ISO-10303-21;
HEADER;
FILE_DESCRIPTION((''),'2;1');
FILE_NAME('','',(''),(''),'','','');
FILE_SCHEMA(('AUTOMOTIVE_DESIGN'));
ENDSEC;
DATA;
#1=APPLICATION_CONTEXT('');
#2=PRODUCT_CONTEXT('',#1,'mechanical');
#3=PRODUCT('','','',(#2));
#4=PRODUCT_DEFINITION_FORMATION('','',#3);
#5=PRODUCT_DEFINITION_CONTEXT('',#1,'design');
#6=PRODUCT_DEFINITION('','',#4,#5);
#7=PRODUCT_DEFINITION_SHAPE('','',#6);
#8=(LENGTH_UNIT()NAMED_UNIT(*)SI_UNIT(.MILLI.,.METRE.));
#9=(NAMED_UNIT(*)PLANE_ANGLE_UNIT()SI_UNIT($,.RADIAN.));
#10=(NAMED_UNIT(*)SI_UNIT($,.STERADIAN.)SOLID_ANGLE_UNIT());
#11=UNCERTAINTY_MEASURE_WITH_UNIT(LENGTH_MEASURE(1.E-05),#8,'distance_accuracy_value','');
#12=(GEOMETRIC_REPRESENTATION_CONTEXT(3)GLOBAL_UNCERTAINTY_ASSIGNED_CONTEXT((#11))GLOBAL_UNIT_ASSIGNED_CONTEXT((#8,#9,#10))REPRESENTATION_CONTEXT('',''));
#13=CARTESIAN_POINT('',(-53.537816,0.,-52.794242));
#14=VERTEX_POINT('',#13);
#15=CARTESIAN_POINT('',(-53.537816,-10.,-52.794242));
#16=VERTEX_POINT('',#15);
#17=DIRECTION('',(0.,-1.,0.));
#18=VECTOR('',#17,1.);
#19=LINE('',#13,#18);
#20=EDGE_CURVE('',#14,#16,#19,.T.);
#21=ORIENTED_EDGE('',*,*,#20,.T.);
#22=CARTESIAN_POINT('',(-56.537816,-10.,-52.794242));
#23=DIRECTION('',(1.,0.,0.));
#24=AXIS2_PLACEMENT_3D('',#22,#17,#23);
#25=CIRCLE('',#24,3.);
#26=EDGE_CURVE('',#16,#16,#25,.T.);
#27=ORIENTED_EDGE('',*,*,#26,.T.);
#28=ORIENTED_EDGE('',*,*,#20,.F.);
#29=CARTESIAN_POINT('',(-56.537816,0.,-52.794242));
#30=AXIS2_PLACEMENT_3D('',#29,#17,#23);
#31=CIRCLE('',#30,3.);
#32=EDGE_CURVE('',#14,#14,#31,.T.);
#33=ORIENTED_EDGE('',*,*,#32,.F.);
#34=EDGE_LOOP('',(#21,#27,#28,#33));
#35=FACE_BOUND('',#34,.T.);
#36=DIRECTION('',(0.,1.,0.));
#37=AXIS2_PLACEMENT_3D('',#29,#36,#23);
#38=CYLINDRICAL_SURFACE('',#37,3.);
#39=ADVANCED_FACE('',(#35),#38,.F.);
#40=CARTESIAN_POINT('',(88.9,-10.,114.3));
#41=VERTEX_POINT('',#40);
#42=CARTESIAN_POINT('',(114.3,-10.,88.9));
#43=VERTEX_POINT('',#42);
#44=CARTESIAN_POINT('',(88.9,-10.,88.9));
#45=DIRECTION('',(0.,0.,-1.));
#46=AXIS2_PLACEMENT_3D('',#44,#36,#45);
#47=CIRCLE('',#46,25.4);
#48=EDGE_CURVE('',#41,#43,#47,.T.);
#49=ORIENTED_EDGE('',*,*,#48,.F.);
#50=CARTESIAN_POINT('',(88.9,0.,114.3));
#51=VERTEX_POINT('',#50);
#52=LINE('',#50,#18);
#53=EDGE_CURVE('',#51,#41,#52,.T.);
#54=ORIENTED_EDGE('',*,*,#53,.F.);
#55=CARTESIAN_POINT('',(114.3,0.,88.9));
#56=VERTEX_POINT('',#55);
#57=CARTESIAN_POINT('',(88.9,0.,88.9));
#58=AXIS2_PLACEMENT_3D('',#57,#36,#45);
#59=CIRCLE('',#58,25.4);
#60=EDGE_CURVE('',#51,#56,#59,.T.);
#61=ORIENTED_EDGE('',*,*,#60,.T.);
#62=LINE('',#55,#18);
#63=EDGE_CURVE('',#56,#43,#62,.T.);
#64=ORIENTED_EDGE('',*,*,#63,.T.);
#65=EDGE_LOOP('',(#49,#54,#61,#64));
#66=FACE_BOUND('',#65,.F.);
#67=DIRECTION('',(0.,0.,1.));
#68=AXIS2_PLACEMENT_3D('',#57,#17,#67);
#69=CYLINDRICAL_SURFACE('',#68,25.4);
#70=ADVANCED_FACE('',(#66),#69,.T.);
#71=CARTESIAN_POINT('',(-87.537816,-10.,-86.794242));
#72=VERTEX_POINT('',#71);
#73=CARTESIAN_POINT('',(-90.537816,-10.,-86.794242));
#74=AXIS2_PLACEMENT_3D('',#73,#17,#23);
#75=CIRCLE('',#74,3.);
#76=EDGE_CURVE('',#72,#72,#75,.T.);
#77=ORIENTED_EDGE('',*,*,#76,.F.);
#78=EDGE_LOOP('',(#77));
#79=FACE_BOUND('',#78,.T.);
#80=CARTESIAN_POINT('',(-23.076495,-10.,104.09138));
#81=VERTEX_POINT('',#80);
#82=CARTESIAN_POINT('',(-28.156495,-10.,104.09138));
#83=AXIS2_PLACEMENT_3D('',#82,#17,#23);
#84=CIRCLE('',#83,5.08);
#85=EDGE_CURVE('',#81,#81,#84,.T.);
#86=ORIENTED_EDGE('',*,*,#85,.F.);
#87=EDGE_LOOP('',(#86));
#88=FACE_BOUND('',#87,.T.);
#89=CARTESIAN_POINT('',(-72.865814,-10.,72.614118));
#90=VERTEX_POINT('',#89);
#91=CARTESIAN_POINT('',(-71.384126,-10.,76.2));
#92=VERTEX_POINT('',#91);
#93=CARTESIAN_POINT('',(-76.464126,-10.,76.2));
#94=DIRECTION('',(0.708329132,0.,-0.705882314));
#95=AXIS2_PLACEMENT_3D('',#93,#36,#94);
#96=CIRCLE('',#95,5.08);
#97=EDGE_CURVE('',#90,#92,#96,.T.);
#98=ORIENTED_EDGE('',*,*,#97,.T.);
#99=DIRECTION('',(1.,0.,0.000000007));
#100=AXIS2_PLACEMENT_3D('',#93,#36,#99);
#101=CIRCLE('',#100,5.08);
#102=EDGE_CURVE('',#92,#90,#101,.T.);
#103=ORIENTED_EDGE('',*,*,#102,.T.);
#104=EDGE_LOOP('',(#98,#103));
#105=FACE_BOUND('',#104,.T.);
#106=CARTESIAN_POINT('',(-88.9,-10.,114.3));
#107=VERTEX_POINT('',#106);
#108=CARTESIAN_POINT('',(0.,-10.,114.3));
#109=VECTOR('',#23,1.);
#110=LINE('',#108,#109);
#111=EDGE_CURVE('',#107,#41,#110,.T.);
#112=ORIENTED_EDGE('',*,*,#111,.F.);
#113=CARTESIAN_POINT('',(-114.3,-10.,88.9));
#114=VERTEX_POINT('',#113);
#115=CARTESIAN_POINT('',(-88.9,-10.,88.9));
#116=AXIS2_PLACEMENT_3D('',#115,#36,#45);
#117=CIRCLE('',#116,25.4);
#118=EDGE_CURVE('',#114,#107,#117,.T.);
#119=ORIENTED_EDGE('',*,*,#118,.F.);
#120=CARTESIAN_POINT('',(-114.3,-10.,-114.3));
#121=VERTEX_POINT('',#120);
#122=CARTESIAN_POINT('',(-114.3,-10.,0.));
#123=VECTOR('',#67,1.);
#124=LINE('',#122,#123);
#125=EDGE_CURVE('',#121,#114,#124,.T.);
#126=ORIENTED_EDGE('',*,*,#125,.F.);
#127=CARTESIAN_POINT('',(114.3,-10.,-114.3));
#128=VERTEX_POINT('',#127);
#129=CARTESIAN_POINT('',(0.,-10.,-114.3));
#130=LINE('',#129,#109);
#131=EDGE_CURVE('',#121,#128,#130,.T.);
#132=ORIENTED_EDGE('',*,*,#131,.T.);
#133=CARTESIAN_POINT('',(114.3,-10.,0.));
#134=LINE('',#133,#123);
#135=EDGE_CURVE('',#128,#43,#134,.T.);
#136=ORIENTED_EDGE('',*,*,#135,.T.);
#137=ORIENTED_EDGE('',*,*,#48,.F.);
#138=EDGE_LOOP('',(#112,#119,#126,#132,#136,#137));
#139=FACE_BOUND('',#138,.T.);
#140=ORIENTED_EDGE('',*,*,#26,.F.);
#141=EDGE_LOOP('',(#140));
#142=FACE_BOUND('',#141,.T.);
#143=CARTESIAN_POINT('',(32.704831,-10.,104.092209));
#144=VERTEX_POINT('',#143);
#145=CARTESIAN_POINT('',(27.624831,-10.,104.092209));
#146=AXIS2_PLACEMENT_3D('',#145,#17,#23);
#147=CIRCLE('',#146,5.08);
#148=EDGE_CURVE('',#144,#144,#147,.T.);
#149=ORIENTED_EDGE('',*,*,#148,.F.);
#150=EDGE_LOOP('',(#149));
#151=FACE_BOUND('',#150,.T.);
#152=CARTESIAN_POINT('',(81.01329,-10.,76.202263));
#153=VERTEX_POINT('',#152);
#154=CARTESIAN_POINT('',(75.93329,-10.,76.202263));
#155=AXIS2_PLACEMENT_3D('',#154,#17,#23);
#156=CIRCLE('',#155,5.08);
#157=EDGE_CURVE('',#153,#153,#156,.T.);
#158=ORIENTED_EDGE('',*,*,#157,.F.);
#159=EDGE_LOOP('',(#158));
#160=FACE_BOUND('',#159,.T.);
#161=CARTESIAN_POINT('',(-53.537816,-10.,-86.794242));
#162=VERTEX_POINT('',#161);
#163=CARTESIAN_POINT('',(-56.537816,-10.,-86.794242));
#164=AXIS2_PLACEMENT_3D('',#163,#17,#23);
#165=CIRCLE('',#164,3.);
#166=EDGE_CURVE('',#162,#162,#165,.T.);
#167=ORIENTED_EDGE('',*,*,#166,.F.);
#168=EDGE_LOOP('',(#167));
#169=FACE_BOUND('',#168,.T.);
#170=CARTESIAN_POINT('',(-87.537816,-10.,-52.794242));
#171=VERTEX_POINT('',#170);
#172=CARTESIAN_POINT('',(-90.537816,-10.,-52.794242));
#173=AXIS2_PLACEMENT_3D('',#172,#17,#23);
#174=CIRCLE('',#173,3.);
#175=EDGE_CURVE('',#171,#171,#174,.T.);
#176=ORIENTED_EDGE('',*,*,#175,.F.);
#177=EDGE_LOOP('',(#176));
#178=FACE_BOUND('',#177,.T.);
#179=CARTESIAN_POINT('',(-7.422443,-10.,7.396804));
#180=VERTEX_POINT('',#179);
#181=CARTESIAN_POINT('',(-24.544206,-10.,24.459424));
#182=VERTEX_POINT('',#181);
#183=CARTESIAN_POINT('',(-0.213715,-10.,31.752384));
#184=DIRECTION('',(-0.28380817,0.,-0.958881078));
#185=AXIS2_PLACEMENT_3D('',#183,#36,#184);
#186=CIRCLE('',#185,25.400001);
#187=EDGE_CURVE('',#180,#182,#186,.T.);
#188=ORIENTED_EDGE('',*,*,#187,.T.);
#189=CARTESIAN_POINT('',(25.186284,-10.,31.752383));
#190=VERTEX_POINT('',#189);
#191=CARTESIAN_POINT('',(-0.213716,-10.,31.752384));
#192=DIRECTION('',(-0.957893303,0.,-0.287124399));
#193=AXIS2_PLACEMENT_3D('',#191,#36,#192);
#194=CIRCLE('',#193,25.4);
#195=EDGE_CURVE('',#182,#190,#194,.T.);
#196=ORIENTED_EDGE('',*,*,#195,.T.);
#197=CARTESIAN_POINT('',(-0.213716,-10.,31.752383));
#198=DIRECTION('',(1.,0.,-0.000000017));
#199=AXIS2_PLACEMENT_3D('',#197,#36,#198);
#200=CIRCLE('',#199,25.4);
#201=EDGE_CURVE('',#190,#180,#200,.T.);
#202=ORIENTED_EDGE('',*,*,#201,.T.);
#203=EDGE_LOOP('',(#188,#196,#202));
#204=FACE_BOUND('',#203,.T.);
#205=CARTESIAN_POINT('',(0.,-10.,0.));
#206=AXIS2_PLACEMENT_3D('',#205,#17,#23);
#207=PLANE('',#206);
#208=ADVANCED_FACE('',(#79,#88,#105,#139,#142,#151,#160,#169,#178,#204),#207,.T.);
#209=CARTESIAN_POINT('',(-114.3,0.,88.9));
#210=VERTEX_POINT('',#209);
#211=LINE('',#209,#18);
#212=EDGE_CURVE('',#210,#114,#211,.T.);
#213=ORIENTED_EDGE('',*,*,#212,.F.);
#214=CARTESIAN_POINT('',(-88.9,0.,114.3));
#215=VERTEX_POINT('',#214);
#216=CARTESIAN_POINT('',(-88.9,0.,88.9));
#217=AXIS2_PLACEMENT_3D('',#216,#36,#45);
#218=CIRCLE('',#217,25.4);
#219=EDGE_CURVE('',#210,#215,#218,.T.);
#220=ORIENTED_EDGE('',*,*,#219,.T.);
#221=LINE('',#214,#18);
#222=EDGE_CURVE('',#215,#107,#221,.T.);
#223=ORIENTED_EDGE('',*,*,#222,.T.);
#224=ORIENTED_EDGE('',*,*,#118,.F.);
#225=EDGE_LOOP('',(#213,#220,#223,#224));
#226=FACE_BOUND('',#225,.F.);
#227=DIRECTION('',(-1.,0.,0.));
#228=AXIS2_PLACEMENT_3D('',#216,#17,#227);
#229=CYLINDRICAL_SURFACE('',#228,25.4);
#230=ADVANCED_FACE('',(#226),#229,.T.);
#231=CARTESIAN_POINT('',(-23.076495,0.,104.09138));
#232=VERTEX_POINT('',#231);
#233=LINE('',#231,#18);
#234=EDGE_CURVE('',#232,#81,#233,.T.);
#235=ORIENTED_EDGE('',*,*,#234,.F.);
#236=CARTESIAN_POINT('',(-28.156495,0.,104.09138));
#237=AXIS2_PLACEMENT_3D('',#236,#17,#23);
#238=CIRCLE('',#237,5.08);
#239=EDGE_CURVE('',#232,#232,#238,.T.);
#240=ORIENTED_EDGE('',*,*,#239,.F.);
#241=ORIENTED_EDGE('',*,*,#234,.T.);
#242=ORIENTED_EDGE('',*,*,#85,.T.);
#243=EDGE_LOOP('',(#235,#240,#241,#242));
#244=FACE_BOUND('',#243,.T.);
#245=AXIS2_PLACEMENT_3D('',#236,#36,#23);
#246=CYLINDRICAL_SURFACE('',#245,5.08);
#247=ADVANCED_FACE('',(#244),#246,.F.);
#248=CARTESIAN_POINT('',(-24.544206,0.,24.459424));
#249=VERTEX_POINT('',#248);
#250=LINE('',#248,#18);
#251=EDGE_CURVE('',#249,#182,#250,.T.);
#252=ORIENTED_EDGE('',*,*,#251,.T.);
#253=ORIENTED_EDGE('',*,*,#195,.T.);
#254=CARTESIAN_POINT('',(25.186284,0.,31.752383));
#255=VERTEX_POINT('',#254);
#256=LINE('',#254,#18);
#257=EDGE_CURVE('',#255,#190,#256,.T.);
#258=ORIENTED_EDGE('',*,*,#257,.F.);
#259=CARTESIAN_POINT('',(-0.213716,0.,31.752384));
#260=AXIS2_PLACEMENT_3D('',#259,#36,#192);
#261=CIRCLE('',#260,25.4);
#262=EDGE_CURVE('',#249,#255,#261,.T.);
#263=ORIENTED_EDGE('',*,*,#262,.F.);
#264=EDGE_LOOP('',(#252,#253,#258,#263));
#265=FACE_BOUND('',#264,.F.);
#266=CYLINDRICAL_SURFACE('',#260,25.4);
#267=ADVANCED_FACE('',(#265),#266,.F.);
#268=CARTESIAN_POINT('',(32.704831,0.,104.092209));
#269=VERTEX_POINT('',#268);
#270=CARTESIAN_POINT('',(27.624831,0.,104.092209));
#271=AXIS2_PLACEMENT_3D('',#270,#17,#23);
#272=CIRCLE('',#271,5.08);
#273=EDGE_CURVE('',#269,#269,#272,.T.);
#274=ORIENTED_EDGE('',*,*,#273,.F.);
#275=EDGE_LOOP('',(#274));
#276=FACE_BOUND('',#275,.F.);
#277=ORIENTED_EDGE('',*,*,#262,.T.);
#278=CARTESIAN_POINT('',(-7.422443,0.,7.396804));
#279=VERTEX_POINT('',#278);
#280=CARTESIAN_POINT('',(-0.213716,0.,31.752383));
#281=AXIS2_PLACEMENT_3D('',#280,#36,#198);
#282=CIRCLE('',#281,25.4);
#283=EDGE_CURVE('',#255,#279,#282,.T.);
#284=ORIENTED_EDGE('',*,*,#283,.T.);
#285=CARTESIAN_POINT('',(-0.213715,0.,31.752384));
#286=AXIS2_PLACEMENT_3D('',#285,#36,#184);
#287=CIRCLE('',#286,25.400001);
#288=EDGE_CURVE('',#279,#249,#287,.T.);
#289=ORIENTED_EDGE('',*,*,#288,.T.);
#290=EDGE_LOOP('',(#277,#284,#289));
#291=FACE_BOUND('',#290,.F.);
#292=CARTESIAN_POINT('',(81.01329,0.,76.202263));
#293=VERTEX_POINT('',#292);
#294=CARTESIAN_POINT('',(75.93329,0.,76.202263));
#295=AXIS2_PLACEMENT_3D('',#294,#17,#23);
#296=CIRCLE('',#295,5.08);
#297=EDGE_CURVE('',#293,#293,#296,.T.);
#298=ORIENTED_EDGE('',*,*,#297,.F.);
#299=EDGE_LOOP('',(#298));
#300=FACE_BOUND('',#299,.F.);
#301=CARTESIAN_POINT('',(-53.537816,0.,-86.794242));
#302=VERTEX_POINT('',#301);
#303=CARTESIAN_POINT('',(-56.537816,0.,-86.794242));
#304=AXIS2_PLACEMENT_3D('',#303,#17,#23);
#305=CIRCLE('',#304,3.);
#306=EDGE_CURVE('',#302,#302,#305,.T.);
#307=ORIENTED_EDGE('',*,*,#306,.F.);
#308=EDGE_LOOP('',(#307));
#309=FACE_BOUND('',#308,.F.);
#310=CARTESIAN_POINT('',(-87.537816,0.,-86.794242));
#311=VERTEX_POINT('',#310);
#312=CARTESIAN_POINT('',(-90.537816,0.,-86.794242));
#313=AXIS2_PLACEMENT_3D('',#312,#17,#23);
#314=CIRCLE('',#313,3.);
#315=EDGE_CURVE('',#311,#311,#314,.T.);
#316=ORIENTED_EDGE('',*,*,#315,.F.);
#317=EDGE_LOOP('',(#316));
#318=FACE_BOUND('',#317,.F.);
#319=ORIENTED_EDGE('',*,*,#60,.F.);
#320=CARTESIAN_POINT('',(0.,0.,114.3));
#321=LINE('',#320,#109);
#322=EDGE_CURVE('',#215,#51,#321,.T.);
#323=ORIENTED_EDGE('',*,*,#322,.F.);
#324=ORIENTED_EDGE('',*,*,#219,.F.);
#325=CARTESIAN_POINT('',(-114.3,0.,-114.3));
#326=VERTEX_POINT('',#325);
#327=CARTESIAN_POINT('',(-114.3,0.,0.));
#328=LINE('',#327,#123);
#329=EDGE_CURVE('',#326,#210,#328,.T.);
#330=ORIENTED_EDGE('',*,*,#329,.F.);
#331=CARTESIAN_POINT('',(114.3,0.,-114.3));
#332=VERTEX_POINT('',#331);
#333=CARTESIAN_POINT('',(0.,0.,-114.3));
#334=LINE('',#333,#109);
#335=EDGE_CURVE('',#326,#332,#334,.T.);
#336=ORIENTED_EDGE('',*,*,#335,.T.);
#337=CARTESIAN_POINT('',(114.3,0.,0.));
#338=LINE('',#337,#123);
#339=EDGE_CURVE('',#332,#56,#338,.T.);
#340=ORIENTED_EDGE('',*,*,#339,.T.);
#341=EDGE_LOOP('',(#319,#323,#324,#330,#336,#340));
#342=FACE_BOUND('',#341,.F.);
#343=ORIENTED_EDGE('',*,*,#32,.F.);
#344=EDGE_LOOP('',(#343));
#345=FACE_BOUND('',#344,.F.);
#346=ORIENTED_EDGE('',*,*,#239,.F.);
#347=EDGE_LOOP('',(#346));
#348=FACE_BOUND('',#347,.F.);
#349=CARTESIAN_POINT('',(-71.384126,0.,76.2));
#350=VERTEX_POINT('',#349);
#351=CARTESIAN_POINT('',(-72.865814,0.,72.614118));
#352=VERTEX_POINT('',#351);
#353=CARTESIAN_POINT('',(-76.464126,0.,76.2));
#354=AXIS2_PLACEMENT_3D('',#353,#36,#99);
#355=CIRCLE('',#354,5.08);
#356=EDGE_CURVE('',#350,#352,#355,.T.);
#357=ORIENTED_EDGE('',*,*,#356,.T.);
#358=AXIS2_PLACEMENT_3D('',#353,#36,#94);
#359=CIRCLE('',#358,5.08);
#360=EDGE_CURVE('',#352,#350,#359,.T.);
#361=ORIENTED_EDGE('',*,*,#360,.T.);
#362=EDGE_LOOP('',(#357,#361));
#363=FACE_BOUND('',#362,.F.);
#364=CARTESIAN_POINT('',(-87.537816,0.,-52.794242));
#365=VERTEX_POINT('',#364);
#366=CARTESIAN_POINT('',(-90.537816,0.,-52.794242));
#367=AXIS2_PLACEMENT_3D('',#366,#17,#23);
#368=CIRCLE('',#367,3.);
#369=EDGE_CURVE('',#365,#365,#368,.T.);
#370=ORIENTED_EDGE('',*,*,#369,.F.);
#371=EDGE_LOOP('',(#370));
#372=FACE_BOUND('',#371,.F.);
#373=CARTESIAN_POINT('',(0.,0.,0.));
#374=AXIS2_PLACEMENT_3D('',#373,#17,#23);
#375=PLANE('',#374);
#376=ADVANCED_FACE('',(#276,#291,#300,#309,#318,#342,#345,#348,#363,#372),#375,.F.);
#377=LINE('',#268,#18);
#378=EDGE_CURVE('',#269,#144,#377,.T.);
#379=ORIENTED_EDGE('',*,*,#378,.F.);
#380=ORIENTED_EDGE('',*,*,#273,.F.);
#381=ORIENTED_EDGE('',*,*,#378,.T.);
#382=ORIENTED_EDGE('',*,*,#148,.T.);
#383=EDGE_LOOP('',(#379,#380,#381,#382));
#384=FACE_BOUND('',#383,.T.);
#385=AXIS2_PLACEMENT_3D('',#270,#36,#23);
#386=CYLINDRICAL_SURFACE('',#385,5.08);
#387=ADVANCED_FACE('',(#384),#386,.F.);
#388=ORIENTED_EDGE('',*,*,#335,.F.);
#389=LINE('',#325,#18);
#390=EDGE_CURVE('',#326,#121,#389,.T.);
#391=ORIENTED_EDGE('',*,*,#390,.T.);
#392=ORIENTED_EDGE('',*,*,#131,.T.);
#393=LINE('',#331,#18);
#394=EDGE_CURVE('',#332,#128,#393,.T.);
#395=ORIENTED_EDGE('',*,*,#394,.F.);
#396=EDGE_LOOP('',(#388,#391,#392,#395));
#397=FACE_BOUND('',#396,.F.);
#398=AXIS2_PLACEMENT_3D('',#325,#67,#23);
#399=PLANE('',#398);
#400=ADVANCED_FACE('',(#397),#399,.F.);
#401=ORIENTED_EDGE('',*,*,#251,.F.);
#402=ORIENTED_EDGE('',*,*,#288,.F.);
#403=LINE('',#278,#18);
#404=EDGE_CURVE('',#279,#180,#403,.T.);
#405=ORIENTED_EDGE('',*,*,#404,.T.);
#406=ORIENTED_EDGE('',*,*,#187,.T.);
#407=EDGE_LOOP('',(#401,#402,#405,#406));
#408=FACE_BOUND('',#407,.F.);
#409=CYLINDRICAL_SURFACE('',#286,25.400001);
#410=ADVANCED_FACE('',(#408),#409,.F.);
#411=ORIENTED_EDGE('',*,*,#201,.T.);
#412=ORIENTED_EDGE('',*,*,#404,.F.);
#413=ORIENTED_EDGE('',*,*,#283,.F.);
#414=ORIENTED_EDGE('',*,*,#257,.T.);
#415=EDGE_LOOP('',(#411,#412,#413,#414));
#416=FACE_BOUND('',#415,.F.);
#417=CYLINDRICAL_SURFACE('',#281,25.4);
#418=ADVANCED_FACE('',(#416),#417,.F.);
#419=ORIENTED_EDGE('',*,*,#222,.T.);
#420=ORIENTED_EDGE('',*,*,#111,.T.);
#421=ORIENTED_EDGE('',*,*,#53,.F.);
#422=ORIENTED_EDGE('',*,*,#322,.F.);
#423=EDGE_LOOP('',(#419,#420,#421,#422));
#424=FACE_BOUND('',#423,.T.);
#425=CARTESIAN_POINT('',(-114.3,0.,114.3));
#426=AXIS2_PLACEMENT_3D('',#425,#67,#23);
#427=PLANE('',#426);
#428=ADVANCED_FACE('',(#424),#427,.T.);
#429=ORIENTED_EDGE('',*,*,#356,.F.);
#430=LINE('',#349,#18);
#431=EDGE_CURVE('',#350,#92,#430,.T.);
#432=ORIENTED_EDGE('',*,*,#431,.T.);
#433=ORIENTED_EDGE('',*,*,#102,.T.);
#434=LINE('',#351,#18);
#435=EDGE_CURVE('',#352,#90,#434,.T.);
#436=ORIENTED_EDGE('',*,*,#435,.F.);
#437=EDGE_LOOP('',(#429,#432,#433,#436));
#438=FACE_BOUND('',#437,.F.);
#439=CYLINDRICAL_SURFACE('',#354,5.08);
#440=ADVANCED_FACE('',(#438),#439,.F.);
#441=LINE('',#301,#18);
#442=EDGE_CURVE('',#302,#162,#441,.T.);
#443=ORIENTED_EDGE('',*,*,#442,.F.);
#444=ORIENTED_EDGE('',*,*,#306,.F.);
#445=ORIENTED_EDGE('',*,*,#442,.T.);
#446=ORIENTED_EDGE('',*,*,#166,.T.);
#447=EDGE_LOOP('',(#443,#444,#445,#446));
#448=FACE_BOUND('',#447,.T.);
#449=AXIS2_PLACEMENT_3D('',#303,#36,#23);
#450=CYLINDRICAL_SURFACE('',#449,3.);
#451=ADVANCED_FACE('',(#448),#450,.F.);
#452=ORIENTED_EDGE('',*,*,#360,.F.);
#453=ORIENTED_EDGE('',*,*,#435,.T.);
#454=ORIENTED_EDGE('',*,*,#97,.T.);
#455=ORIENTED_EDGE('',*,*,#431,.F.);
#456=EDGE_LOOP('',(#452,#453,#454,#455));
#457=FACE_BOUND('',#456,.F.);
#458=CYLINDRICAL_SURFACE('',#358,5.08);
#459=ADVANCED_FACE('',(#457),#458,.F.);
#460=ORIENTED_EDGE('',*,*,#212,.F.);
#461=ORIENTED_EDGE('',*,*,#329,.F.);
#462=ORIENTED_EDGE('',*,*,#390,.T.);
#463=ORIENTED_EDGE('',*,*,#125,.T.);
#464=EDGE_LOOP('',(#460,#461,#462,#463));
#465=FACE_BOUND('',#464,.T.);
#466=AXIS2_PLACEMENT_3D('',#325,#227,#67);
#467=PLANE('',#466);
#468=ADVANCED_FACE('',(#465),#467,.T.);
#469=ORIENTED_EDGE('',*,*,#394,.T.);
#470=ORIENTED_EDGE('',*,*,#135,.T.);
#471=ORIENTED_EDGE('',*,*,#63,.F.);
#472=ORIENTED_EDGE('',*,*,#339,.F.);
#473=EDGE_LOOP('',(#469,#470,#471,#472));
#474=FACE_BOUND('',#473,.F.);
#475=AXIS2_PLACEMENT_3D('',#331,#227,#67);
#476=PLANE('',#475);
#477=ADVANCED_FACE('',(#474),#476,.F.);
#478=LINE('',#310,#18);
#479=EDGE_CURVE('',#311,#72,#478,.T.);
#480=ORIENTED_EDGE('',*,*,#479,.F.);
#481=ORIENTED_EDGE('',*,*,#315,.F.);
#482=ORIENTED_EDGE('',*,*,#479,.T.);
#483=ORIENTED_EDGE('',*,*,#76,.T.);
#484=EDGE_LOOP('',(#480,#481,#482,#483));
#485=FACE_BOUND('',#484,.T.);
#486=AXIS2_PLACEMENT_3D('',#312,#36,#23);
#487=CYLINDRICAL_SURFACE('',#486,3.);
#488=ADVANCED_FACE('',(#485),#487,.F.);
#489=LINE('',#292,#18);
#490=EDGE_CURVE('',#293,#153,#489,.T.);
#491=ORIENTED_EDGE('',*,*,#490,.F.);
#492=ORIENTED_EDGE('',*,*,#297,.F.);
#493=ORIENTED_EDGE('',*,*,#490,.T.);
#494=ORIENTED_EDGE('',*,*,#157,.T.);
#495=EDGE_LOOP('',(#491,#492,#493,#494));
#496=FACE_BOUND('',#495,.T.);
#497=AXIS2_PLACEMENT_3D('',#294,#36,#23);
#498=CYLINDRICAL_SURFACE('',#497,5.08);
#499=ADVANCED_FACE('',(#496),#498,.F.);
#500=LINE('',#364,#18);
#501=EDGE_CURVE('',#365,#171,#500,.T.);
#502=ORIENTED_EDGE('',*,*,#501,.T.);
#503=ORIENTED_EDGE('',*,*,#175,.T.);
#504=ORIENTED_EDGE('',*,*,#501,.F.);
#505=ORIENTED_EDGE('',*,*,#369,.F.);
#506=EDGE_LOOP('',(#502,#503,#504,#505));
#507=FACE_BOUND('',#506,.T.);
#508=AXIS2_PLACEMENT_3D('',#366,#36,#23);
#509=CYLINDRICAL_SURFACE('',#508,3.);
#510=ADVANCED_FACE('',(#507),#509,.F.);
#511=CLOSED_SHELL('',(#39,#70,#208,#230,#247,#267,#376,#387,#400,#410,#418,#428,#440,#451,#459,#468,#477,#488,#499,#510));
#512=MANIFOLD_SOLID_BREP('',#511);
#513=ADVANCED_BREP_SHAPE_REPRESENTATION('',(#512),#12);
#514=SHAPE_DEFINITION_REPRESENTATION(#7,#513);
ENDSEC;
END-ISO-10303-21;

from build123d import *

# Parameters (mm, degrees)
F0_W     = 228.6
F0_H     = 228.6
F0_R     = 3
F0_R_2   = 5.08
F1_DEPTH = 10
F2_R     = 25.4


with BuildPart() as f1:
    # F0 (on Front) → F1 (new body)
    with BuildSketch(Plane.XZ):
        Rectangle(F0_W, F0_H)
        with Locations((-90.537816, -86.794242)):
            Circle(F0_R, mode=Mode.SUBTRACT)
        with Locations((-56.537816, -86.794242)):
            Circle(F0_R, mode=Mode.SUBTRACT)
        with Locations((-90.537816, -52.794242)):
            Circle(F0_R, mode=Mode.SUBTRACT)
        with Locations((-56.537816, -52.794242)):
            Circle(F0_R, mode=Mode.SUBTRACT)
        with BuildLine():
            ThreePointArc((-7.422443, 7.396804), (-18.143127, 13.760824), (-24.544206, 24.459424))
            ThreePointArc((-24.544206, 24.459424), (-3.899198, 56.883584), (25.186284, 31.752383))
            ThreePointArc((25.186284, 31.752383), (14.985928, 11.402179), (-7.422443, 7.396804))
        make_face(mode=Mode.SUBTRACT)
        with BuildLine():
            ThreePointArc((-72.865814, 72.614118), (-81.159114, 78.139971), (-71.384126, 76.2))
            ThreePointArc((-71.384126, 76.2), (-71.769138, 74.260029), (-72.865814, 72.614118))
        make_face(mode=Mode.SUBTRACT)
        with Locations((-28.156495, 104.09138)):
            Circle(F0_R_2, mode=Mode.SUBTRACT)
        with Locations((27.624831, 104.092209)):
            Circle(F0_R_2, mode=Mode.SUBTRACT)
        with Locations((75.93329, 76.202263)):
            Circle(F0_R_2, mode=Mode.SUBTRACT)
    extrude(amount=F1_DEPTH)

    # F2
    f2_edges = [f1.edges().sort_by_distance(p)[0] for p in [
        (114.3, -5, 114.3),
        (-114.3, -5, 114.3),
    ]]
    fillet(f2_edges, radius=F2_R)


solid = f1.part
